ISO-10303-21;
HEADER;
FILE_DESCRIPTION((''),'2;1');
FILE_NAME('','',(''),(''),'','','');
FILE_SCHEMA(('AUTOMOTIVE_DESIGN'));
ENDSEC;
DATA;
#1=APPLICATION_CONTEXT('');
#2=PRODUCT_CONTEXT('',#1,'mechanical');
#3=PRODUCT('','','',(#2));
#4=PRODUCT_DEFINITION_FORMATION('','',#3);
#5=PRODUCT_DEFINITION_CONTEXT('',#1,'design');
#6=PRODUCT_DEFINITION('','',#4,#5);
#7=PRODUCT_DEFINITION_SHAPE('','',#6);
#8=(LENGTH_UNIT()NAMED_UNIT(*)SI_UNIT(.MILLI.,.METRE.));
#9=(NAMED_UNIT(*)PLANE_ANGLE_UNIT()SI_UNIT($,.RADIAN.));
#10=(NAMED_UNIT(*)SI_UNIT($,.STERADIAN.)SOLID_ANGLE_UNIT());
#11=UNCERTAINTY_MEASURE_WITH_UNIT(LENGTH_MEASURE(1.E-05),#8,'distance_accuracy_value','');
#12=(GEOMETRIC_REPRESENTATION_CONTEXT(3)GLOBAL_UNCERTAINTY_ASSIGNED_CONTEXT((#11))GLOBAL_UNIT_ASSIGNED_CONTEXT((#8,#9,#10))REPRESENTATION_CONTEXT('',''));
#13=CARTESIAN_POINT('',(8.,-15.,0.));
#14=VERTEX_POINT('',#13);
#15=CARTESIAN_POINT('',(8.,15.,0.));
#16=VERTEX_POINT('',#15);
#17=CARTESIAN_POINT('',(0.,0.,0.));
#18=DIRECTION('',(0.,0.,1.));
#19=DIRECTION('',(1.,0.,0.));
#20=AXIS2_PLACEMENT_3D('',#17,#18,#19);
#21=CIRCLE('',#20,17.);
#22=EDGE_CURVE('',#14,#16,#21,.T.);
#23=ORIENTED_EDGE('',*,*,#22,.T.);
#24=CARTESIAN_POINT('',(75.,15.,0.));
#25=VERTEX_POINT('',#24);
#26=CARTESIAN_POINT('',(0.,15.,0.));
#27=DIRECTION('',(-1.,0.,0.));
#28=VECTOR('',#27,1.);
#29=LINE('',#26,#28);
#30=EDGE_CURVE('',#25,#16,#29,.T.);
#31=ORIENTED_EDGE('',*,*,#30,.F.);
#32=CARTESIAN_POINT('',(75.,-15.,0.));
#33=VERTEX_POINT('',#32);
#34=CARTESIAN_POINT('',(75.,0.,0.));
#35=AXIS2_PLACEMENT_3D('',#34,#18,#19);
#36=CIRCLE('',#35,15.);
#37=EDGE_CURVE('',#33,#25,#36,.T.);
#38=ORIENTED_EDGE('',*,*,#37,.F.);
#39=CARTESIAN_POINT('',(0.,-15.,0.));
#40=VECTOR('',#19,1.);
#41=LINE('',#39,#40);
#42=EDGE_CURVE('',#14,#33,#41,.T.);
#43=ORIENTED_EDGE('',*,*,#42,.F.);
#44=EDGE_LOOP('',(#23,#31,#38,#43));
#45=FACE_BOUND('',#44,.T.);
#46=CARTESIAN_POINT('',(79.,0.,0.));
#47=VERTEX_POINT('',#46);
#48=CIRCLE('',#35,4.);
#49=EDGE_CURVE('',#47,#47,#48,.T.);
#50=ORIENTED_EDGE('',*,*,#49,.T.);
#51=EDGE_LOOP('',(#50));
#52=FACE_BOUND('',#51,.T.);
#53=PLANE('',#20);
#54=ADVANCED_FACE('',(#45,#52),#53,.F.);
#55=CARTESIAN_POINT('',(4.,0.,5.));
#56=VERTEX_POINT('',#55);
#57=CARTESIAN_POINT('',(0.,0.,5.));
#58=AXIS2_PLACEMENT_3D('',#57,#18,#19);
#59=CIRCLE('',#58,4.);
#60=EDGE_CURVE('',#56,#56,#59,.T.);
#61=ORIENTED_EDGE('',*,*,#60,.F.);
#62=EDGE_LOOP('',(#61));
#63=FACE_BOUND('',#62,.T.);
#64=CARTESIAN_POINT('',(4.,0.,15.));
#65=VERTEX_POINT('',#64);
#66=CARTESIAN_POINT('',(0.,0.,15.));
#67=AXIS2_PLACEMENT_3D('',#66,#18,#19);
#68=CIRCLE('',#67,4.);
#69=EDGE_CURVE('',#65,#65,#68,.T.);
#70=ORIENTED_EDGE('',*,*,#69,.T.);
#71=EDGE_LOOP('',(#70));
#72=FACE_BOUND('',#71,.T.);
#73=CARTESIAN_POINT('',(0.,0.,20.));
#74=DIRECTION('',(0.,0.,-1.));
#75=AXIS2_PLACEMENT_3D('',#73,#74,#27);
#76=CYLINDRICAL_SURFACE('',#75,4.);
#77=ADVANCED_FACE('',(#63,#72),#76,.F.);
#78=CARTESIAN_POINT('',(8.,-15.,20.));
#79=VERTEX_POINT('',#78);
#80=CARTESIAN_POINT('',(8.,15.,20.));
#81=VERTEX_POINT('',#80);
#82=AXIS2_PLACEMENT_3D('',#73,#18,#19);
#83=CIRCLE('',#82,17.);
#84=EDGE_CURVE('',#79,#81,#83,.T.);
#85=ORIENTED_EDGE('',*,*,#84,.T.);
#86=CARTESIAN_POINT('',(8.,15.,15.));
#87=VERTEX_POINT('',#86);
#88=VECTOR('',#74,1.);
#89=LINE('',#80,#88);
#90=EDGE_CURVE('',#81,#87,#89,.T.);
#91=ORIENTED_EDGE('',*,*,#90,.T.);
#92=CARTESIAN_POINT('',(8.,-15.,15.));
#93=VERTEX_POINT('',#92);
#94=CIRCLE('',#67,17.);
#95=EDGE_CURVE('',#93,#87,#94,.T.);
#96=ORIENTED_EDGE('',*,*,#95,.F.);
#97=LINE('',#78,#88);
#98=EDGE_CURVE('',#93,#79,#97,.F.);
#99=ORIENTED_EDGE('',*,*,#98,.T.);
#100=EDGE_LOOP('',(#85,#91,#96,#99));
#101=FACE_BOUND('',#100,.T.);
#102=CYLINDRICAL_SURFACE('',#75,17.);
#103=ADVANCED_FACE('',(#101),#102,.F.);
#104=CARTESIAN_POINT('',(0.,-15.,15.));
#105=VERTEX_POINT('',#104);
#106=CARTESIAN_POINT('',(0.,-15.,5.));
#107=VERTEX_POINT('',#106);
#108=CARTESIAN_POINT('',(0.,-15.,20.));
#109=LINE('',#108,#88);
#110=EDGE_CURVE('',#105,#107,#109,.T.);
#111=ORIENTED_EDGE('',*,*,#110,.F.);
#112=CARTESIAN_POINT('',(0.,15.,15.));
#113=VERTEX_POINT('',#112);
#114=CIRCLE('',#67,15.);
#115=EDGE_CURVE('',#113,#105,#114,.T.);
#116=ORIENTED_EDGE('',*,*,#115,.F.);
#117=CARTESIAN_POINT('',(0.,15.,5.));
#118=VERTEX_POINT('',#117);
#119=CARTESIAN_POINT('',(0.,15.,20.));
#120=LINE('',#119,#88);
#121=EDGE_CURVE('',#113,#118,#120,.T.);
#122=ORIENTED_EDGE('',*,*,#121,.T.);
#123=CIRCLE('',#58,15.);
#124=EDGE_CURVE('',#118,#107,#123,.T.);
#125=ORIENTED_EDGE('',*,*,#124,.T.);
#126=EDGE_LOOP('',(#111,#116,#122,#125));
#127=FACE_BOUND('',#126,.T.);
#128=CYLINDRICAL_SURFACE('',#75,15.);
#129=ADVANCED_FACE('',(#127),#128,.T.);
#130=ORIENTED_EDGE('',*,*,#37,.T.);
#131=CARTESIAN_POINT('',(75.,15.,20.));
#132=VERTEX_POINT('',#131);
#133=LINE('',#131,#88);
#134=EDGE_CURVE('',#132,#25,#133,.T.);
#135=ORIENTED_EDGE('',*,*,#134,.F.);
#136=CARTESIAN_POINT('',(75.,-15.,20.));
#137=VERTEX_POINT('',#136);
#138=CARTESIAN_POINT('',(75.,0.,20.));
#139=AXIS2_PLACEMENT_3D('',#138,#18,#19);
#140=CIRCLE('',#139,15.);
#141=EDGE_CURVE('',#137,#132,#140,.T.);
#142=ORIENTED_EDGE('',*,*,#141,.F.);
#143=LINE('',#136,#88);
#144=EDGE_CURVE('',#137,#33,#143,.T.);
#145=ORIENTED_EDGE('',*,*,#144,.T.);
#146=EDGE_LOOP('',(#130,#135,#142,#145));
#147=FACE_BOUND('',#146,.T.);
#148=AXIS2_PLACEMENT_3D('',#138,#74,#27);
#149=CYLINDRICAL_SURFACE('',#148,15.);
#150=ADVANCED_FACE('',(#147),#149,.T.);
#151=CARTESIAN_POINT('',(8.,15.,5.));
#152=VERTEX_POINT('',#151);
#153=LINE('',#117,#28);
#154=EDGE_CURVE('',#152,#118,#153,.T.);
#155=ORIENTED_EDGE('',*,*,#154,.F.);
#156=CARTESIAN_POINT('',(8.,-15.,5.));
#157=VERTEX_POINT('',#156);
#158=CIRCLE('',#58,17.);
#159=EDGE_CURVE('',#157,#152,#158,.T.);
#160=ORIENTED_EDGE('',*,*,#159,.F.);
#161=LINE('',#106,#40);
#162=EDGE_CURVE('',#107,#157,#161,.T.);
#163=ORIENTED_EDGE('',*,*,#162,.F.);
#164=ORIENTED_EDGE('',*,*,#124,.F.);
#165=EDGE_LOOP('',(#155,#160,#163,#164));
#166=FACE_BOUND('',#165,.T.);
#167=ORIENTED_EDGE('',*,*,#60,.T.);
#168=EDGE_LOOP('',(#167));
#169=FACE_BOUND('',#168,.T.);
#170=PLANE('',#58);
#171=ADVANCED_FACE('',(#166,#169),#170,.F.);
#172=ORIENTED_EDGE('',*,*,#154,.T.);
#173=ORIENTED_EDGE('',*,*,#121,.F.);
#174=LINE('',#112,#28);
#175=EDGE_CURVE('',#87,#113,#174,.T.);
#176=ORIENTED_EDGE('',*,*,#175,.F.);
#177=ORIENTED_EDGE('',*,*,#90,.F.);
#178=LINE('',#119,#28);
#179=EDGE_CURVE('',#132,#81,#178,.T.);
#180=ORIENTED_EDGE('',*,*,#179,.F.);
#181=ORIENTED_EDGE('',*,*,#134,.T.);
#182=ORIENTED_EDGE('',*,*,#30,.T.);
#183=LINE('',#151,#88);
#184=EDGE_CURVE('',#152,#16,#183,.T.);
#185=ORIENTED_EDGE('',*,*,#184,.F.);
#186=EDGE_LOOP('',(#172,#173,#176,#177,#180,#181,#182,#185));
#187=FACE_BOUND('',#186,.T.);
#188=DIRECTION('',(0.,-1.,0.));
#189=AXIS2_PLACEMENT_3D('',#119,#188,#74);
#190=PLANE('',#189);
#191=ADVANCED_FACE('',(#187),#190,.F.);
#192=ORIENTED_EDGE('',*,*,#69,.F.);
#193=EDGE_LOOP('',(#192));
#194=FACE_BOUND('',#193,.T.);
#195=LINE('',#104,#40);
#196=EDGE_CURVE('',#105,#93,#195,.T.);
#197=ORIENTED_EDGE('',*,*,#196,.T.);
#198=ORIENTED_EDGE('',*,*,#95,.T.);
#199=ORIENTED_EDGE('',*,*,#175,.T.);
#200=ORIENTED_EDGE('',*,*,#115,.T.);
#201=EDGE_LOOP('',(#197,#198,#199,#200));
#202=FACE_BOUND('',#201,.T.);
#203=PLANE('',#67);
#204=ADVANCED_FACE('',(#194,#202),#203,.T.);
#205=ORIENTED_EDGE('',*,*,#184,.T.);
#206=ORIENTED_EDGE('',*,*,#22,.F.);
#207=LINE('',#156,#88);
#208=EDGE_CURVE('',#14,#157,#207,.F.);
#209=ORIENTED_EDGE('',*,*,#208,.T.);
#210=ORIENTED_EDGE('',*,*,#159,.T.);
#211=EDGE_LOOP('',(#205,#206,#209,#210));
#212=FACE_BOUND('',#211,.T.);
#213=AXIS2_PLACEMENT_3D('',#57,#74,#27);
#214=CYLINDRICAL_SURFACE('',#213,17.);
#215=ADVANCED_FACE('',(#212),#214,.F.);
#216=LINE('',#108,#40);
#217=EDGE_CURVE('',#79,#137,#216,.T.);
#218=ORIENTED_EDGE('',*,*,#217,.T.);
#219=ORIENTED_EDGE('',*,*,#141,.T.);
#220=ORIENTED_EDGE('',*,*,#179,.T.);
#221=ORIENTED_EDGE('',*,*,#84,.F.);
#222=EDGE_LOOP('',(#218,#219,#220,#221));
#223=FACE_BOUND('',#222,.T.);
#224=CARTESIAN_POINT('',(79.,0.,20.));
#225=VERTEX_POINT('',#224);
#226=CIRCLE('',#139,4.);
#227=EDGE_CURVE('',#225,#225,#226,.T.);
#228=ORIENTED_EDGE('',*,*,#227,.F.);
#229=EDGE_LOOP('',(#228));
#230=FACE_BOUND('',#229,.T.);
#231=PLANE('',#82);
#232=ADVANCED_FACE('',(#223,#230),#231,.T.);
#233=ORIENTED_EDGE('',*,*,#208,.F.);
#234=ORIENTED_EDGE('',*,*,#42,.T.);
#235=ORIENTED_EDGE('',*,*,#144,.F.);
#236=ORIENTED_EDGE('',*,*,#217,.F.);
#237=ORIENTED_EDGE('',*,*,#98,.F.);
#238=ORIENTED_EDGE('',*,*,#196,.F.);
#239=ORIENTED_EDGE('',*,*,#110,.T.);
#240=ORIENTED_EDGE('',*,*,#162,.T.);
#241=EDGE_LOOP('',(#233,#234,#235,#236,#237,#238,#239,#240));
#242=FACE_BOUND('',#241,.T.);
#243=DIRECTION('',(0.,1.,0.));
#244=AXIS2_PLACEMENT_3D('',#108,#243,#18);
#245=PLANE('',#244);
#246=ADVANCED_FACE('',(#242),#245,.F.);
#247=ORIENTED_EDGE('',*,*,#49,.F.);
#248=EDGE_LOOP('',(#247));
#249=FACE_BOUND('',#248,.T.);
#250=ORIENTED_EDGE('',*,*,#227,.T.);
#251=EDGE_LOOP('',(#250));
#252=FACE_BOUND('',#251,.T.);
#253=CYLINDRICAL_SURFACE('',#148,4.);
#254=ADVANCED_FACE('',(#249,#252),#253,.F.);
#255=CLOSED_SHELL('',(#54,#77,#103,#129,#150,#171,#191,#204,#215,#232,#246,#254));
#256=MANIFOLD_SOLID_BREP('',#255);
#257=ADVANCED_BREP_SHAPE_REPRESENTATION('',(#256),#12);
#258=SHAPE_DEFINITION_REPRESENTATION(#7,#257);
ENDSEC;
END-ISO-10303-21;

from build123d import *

# Parameters (mm, degrees)
SKETCH_1_R          = 4
EXTRUDE_1_DEPTH     = 20
SKETCH_2_R          = 17
CUT_EXTRUDE_1_DEPTH = 5
CUT_EXTRUDE_START   = 15
SKETCH_2_2_R        = 17
CUT_EXTRUDE_2_DEPTH = 5


with BuildPart() as part:
    # 草图1 → 凸台-拉伸1 (new body)
    with BuildSketch(Plane.XY):
        with BuildLine():
            Line((0, 15), (75, 15))
            ThreePointArc((75, 15), (90, 0), (75, -15))
            Line((75, -15), (0, -15))
            ThreePointArc((0, -15), (-15, 0), (0, 15))
        make_face()
        Circle(SKETCH_1_R, mode=Mode.SUBTRACT)
        with Locations((75, 0)):
            Circle(SKETCH_1_R, mode=Mode.SUBTRACT)
    extrude(amount=EXTRUDE_1_DEPTH)

    # 草图2 → 切除-拉伸1 (cut)
    with BuildSketch(Plane.XY):
        Circle(SKETCH_2_R)
    extrude(amount=CUT_EXTRUDE_1_DEPTH, mode=Mode.SUBTRACT)

    # 草图2<2> → 切除-拉伸2 (cut)
    with BuildSketch(Plane.XY.offset(CUT_EXTRUDE_START)):
        Circle(SKETCH_2_2_R)
    extrude(amount=CUT_EXTRUDE_2_DEPTH, mode=Mode.SUBTRACT)


solid = part.part
